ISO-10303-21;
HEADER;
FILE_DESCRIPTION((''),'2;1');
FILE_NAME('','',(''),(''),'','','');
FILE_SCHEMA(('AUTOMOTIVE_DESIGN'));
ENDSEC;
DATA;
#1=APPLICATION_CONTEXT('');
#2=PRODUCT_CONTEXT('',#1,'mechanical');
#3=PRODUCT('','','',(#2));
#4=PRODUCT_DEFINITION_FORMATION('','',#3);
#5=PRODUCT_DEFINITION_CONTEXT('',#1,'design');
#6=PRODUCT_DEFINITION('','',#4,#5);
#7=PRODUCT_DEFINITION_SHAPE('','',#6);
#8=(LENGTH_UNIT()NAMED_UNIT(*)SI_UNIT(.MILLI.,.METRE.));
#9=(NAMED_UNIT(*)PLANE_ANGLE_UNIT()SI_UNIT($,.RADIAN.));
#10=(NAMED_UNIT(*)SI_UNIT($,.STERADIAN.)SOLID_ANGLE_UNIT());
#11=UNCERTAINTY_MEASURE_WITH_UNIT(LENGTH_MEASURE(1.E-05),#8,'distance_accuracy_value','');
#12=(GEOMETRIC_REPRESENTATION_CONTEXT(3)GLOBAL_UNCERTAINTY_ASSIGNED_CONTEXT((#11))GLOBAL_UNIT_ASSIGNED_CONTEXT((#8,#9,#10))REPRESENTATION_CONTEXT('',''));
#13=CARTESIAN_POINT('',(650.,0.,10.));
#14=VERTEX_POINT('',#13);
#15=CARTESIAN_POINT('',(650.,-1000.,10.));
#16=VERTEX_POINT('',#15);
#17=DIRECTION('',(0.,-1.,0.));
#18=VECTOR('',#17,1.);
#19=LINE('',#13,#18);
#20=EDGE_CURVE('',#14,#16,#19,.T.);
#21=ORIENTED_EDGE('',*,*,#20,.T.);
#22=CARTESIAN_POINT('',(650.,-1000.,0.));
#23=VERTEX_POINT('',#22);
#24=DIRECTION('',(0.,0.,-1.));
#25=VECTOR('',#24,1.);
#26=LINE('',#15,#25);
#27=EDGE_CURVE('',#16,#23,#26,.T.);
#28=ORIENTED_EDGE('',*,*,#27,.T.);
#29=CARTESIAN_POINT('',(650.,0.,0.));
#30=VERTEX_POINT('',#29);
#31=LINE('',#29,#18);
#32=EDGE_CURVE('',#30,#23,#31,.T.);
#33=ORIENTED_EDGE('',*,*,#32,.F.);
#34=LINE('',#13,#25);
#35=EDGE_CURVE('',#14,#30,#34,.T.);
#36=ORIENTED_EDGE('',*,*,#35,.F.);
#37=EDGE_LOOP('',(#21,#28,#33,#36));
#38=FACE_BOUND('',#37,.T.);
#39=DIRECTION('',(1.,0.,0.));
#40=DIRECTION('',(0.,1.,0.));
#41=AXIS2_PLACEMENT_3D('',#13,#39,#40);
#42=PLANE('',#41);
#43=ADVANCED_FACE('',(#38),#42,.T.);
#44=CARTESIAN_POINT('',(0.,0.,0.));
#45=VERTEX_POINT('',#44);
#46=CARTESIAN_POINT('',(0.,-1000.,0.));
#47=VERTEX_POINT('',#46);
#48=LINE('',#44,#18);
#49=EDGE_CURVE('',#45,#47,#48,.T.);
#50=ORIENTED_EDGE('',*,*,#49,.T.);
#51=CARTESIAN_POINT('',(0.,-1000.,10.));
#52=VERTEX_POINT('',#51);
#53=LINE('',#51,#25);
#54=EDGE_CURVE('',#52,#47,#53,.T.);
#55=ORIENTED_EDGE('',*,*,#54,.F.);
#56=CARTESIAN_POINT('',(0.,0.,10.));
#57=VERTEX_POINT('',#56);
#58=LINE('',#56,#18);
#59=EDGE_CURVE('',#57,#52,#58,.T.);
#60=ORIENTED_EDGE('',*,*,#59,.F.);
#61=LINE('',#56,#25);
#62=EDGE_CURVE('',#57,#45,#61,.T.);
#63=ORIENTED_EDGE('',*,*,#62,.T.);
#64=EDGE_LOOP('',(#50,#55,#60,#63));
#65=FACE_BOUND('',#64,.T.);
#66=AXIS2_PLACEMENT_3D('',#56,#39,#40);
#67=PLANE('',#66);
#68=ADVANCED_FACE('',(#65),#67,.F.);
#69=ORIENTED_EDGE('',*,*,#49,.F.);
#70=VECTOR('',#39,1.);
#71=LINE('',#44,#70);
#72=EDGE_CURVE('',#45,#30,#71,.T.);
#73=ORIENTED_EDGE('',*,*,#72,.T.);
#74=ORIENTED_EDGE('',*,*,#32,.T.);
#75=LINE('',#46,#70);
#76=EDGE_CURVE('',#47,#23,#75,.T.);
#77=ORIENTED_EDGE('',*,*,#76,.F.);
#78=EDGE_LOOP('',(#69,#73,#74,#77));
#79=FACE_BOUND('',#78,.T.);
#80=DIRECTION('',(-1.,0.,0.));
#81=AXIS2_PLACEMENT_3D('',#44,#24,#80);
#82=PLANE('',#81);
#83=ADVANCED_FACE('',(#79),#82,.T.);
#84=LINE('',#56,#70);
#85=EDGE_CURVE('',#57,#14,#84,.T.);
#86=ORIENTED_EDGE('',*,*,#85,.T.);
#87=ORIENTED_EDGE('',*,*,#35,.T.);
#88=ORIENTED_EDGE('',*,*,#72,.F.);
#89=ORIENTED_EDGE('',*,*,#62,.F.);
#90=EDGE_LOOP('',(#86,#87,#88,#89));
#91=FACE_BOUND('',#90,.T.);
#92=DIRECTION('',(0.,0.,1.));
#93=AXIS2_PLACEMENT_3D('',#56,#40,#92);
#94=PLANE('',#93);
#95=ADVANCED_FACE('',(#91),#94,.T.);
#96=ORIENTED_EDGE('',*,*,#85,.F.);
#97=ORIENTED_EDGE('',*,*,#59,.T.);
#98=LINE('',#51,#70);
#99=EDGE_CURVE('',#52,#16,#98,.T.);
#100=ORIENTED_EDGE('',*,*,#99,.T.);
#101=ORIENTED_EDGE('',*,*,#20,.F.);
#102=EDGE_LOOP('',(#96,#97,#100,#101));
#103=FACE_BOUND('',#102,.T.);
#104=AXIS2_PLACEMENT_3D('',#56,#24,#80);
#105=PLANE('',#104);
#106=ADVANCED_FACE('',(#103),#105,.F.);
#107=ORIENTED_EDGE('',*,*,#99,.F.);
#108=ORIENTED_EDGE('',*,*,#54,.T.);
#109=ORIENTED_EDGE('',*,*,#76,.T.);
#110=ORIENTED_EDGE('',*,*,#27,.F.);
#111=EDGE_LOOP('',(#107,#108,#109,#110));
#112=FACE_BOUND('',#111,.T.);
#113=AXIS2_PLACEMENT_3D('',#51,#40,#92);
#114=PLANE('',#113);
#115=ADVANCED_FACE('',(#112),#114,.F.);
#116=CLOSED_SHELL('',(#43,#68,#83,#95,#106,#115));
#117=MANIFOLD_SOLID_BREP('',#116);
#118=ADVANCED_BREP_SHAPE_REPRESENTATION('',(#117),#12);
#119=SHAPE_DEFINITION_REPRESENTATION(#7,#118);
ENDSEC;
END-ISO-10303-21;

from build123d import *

# Parameters (mm, degrees)
ESQUISSE1_W        = 650
ESQUISSE1_H        = 1000
BOSS_EXTRU_2_DEPTH = 10


with BuildPart() as part:
    # Esquisse1 → Boss.-Extru.2 (new body)
    with BuildSketch(Plane.XY):
        with Locations((325, -500)):
            Rectangle(ESQUISSE1_W, ESQUISSE1_H)
    extrude(amount=BOSS_EXTRU_2_DEPTH)


solid = part.part
